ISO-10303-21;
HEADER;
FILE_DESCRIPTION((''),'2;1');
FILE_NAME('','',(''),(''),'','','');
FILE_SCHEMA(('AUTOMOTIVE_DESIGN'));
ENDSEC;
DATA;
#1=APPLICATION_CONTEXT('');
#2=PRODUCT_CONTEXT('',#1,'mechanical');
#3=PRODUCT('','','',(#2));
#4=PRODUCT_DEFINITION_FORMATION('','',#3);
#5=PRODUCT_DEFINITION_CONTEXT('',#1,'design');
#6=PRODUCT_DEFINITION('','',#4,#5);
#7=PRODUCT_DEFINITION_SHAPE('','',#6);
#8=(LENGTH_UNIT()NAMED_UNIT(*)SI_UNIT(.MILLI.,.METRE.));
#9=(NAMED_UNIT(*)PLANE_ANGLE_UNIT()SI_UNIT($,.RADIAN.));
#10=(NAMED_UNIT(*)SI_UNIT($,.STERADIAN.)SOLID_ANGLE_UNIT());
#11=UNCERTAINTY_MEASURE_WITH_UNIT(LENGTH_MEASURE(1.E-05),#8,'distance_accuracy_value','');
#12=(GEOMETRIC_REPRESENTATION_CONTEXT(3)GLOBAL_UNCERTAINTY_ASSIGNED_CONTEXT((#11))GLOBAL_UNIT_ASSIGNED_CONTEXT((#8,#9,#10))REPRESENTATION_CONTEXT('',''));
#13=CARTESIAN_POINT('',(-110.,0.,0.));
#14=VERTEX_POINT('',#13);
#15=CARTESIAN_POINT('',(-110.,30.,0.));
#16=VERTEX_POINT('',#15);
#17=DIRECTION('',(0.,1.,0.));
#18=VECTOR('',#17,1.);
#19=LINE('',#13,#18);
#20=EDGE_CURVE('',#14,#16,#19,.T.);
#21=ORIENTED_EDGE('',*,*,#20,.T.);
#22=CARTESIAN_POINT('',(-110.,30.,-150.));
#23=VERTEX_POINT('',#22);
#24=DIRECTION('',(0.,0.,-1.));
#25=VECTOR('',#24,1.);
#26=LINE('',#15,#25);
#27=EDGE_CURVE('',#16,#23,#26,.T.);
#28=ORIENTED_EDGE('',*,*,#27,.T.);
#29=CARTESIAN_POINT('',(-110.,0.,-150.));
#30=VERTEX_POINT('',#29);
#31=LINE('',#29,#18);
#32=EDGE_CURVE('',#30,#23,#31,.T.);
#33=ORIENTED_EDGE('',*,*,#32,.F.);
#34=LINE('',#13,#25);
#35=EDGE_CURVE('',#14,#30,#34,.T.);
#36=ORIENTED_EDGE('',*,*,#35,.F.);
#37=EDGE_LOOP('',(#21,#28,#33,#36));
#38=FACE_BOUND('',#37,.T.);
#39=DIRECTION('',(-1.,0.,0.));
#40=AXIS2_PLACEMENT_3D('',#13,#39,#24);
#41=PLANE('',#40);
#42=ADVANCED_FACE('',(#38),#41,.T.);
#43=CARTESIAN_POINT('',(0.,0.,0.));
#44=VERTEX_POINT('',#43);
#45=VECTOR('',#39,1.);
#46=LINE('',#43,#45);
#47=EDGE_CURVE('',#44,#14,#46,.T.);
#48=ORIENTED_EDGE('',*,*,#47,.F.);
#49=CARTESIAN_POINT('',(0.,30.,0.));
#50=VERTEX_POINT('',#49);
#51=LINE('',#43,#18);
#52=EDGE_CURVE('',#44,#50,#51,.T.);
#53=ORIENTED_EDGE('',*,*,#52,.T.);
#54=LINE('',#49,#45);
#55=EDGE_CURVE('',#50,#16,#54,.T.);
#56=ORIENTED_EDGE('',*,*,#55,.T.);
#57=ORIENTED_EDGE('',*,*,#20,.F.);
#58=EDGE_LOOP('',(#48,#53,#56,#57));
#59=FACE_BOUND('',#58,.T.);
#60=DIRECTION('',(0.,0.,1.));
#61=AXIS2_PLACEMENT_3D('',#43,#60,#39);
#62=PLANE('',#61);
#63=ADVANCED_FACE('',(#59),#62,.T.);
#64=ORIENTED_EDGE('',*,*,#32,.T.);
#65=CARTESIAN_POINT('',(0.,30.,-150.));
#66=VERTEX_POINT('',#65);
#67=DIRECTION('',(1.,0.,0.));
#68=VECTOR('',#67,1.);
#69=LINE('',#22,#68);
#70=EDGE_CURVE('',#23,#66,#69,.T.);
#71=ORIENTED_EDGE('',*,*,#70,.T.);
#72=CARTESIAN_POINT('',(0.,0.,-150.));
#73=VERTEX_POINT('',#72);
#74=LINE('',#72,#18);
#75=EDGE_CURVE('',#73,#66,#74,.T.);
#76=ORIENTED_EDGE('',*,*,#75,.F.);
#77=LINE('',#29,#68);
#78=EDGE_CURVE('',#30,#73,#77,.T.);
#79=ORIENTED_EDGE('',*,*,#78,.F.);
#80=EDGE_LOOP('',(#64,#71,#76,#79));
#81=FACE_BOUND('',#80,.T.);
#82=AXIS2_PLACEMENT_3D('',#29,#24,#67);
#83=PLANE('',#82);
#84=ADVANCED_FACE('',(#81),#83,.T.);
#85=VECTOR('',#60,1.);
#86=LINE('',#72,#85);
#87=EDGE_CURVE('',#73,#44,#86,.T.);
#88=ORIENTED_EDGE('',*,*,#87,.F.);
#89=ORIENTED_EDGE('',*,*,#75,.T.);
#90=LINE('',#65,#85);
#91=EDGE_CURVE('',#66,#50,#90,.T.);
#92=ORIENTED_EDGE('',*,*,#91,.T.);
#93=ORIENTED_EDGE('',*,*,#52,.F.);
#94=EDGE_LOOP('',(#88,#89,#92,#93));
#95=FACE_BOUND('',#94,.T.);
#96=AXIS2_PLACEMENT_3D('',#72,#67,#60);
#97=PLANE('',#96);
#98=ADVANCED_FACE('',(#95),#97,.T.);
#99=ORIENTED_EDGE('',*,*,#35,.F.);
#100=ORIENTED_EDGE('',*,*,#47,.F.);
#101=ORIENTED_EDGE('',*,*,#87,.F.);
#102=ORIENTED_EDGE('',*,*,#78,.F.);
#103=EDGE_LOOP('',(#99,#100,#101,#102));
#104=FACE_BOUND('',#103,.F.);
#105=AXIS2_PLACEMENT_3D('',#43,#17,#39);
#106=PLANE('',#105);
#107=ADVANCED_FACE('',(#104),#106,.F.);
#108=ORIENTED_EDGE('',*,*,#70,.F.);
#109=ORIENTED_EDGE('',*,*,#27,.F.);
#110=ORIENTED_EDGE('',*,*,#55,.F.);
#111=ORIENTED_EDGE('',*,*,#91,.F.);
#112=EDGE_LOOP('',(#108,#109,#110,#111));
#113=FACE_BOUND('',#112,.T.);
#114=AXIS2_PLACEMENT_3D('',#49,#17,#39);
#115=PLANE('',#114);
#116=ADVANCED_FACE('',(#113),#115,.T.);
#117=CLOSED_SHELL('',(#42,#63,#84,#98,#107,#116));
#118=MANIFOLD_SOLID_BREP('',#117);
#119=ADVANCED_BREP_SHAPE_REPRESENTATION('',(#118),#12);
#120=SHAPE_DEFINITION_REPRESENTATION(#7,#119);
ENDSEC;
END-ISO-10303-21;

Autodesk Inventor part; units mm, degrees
ref_plane "YZ Plane" through (0, 0, 0) normal (1, 0, 0) x (0, 1, 0)
ref_plane "XZ Plane" through (0, 0, 0) normal (0, 1, 0) x (-1, 0, 0)
ref_plane "XY Plane" through (0, 0, 0) normal (0, 0, 1) x (1, 0, 0)
sketch "Sketch1" plane through (0, 0, 0) normal (0, 1, 0) x (-1, 0, 0)
  line L0 (0, 0) -> (110, 0)
  line L1 (110, 0) -> (110, -150)
  line L2 (110, -150) -> (0, -150)
  line L3 (0, -150) -> (0, 0)
  dimension "d0" = 110
  dimension "d1" = 150
extrude "Extrusion1" add sketch "Sketch1" along normal blind 30
properties part number "cube top"
